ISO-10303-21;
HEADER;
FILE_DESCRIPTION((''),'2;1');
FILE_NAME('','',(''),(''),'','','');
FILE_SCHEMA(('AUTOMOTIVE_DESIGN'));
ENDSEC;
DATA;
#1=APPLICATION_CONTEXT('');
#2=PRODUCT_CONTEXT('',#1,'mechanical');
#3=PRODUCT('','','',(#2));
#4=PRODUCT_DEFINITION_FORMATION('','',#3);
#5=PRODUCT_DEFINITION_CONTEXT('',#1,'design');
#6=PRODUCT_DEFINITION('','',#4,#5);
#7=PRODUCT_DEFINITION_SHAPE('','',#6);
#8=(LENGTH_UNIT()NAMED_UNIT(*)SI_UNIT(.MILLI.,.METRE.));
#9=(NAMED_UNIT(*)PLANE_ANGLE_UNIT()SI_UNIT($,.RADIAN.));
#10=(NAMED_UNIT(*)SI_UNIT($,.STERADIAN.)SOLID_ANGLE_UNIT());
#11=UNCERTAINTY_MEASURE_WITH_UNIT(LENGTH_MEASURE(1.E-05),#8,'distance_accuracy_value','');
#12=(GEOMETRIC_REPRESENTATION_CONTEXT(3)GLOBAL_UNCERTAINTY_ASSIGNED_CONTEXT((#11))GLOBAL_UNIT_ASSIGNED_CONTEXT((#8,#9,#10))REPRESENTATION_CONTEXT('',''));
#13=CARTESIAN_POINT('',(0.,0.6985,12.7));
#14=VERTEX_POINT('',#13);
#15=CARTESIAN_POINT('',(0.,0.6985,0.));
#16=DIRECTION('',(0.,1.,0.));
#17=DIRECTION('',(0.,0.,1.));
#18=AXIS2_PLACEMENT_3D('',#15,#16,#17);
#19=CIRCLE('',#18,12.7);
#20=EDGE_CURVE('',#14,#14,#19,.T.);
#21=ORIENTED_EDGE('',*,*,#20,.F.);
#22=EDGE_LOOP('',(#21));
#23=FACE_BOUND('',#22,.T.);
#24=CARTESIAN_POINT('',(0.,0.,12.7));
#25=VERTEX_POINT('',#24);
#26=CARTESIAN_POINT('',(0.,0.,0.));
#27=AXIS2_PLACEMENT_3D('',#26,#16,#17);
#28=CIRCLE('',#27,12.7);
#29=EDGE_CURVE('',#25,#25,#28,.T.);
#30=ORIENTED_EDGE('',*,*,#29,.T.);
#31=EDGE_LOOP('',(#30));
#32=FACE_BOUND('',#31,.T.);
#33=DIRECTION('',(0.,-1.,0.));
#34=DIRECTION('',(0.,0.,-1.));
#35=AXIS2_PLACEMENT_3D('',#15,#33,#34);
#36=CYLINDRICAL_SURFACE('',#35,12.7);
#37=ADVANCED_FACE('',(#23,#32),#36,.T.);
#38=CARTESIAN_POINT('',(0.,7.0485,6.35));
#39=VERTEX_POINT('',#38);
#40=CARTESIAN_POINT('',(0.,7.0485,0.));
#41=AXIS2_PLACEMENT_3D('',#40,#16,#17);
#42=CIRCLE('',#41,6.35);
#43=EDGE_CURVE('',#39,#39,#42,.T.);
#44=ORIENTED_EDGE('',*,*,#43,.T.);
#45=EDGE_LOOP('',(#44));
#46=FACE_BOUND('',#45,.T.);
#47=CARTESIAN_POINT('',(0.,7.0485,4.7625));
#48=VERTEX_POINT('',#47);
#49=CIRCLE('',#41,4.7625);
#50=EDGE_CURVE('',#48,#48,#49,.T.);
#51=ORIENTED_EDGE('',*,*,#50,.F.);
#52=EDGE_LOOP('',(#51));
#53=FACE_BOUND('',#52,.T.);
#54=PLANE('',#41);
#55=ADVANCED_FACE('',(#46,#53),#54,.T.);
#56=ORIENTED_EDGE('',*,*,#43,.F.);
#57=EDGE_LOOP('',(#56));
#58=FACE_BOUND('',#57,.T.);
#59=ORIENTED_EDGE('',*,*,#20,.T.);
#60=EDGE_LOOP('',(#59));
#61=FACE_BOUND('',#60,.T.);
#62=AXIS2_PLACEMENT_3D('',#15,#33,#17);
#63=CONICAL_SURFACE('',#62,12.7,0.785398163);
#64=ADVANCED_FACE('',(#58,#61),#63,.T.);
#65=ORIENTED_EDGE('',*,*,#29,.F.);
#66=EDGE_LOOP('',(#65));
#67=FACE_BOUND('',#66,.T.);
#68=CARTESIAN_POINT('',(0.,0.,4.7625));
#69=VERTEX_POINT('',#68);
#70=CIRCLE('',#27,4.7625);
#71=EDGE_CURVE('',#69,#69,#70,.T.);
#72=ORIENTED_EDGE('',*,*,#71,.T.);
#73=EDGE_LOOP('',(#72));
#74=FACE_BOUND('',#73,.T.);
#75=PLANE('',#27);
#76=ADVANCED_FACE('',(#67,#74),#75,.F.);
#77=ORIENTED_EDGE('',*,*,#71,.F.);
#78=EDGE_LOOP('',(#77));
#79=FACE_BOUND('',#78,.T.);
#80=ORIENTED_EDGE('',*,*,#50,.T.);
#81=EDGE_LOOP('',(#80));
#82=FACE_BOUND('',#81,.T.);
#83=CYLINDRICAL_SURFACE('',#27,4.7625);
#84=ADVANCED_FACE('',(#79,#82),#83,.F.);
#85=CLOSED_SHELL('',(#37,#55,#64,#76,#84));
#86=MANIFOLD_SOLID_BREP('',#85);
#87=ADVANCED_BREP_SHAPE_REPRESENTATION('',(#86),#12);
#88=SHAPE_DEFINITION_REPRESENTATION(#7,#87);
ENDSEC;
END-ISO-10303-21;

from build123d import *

# Parameters (mm, degrees)
SKETCH1_R           = 12.7
BOSS_EXTRUDE1_DEPTH = 0.6985
SKETCH2_R           = 12.7
BOSS_EXTRUDE2_DEPTH = 6.35
BOSS_EXTRUDE2_TAPER = 45
SKETCH3_R           = 4.7625
CUT_EXTRUDE1_DEPTH  = 20.294075706


with BuildPart() as part:
    # Sketch1 → Boss-Extrude1 (new body)
    with BuildSketch(Plane(origin=(0, 0, 0), x_dir=(1, 0, 0), z_dir=(0, 1, 0))):
        with Locations(Location((0, 0, 0), (0, 0, 270))):
            Circle(SKETCH1_R)
    extrude(amount=BOSS_EXTRUDE1_DEPTH)

    # Sketch2 → Boss-Extrude2 (add)
    with BuildSketch(Plane(origin=(0, 0.6985, 0), x_dir=(1, 0, 0), z_dir=(0, 1, 0))):
        with Locations(Location((0, 0, 0), (0, 0, 270))):
            Circle(SKETCH2_R)
    extrude(amount=BOSS_EXTRUDE2_DEPTH, taper=BOSS_EXTRUDE2_TAPER)

    # Sketch3 → Cut-Extrude1 (cut, through all)
    with BuildSketch(Plane(origin=(0, 7.0485, 0), x_dir=(1, 0, 0), z_dir=(0, 1, 0))):
        with Locations(Location((0, 0, 0), (0, 0, 270))):
            Circle(SKETCH3_R)
    extrude(amount=-CUT_EXTRUDE1_DEPTH, mode=Mode.SUBTRACT)


solid = part.part
